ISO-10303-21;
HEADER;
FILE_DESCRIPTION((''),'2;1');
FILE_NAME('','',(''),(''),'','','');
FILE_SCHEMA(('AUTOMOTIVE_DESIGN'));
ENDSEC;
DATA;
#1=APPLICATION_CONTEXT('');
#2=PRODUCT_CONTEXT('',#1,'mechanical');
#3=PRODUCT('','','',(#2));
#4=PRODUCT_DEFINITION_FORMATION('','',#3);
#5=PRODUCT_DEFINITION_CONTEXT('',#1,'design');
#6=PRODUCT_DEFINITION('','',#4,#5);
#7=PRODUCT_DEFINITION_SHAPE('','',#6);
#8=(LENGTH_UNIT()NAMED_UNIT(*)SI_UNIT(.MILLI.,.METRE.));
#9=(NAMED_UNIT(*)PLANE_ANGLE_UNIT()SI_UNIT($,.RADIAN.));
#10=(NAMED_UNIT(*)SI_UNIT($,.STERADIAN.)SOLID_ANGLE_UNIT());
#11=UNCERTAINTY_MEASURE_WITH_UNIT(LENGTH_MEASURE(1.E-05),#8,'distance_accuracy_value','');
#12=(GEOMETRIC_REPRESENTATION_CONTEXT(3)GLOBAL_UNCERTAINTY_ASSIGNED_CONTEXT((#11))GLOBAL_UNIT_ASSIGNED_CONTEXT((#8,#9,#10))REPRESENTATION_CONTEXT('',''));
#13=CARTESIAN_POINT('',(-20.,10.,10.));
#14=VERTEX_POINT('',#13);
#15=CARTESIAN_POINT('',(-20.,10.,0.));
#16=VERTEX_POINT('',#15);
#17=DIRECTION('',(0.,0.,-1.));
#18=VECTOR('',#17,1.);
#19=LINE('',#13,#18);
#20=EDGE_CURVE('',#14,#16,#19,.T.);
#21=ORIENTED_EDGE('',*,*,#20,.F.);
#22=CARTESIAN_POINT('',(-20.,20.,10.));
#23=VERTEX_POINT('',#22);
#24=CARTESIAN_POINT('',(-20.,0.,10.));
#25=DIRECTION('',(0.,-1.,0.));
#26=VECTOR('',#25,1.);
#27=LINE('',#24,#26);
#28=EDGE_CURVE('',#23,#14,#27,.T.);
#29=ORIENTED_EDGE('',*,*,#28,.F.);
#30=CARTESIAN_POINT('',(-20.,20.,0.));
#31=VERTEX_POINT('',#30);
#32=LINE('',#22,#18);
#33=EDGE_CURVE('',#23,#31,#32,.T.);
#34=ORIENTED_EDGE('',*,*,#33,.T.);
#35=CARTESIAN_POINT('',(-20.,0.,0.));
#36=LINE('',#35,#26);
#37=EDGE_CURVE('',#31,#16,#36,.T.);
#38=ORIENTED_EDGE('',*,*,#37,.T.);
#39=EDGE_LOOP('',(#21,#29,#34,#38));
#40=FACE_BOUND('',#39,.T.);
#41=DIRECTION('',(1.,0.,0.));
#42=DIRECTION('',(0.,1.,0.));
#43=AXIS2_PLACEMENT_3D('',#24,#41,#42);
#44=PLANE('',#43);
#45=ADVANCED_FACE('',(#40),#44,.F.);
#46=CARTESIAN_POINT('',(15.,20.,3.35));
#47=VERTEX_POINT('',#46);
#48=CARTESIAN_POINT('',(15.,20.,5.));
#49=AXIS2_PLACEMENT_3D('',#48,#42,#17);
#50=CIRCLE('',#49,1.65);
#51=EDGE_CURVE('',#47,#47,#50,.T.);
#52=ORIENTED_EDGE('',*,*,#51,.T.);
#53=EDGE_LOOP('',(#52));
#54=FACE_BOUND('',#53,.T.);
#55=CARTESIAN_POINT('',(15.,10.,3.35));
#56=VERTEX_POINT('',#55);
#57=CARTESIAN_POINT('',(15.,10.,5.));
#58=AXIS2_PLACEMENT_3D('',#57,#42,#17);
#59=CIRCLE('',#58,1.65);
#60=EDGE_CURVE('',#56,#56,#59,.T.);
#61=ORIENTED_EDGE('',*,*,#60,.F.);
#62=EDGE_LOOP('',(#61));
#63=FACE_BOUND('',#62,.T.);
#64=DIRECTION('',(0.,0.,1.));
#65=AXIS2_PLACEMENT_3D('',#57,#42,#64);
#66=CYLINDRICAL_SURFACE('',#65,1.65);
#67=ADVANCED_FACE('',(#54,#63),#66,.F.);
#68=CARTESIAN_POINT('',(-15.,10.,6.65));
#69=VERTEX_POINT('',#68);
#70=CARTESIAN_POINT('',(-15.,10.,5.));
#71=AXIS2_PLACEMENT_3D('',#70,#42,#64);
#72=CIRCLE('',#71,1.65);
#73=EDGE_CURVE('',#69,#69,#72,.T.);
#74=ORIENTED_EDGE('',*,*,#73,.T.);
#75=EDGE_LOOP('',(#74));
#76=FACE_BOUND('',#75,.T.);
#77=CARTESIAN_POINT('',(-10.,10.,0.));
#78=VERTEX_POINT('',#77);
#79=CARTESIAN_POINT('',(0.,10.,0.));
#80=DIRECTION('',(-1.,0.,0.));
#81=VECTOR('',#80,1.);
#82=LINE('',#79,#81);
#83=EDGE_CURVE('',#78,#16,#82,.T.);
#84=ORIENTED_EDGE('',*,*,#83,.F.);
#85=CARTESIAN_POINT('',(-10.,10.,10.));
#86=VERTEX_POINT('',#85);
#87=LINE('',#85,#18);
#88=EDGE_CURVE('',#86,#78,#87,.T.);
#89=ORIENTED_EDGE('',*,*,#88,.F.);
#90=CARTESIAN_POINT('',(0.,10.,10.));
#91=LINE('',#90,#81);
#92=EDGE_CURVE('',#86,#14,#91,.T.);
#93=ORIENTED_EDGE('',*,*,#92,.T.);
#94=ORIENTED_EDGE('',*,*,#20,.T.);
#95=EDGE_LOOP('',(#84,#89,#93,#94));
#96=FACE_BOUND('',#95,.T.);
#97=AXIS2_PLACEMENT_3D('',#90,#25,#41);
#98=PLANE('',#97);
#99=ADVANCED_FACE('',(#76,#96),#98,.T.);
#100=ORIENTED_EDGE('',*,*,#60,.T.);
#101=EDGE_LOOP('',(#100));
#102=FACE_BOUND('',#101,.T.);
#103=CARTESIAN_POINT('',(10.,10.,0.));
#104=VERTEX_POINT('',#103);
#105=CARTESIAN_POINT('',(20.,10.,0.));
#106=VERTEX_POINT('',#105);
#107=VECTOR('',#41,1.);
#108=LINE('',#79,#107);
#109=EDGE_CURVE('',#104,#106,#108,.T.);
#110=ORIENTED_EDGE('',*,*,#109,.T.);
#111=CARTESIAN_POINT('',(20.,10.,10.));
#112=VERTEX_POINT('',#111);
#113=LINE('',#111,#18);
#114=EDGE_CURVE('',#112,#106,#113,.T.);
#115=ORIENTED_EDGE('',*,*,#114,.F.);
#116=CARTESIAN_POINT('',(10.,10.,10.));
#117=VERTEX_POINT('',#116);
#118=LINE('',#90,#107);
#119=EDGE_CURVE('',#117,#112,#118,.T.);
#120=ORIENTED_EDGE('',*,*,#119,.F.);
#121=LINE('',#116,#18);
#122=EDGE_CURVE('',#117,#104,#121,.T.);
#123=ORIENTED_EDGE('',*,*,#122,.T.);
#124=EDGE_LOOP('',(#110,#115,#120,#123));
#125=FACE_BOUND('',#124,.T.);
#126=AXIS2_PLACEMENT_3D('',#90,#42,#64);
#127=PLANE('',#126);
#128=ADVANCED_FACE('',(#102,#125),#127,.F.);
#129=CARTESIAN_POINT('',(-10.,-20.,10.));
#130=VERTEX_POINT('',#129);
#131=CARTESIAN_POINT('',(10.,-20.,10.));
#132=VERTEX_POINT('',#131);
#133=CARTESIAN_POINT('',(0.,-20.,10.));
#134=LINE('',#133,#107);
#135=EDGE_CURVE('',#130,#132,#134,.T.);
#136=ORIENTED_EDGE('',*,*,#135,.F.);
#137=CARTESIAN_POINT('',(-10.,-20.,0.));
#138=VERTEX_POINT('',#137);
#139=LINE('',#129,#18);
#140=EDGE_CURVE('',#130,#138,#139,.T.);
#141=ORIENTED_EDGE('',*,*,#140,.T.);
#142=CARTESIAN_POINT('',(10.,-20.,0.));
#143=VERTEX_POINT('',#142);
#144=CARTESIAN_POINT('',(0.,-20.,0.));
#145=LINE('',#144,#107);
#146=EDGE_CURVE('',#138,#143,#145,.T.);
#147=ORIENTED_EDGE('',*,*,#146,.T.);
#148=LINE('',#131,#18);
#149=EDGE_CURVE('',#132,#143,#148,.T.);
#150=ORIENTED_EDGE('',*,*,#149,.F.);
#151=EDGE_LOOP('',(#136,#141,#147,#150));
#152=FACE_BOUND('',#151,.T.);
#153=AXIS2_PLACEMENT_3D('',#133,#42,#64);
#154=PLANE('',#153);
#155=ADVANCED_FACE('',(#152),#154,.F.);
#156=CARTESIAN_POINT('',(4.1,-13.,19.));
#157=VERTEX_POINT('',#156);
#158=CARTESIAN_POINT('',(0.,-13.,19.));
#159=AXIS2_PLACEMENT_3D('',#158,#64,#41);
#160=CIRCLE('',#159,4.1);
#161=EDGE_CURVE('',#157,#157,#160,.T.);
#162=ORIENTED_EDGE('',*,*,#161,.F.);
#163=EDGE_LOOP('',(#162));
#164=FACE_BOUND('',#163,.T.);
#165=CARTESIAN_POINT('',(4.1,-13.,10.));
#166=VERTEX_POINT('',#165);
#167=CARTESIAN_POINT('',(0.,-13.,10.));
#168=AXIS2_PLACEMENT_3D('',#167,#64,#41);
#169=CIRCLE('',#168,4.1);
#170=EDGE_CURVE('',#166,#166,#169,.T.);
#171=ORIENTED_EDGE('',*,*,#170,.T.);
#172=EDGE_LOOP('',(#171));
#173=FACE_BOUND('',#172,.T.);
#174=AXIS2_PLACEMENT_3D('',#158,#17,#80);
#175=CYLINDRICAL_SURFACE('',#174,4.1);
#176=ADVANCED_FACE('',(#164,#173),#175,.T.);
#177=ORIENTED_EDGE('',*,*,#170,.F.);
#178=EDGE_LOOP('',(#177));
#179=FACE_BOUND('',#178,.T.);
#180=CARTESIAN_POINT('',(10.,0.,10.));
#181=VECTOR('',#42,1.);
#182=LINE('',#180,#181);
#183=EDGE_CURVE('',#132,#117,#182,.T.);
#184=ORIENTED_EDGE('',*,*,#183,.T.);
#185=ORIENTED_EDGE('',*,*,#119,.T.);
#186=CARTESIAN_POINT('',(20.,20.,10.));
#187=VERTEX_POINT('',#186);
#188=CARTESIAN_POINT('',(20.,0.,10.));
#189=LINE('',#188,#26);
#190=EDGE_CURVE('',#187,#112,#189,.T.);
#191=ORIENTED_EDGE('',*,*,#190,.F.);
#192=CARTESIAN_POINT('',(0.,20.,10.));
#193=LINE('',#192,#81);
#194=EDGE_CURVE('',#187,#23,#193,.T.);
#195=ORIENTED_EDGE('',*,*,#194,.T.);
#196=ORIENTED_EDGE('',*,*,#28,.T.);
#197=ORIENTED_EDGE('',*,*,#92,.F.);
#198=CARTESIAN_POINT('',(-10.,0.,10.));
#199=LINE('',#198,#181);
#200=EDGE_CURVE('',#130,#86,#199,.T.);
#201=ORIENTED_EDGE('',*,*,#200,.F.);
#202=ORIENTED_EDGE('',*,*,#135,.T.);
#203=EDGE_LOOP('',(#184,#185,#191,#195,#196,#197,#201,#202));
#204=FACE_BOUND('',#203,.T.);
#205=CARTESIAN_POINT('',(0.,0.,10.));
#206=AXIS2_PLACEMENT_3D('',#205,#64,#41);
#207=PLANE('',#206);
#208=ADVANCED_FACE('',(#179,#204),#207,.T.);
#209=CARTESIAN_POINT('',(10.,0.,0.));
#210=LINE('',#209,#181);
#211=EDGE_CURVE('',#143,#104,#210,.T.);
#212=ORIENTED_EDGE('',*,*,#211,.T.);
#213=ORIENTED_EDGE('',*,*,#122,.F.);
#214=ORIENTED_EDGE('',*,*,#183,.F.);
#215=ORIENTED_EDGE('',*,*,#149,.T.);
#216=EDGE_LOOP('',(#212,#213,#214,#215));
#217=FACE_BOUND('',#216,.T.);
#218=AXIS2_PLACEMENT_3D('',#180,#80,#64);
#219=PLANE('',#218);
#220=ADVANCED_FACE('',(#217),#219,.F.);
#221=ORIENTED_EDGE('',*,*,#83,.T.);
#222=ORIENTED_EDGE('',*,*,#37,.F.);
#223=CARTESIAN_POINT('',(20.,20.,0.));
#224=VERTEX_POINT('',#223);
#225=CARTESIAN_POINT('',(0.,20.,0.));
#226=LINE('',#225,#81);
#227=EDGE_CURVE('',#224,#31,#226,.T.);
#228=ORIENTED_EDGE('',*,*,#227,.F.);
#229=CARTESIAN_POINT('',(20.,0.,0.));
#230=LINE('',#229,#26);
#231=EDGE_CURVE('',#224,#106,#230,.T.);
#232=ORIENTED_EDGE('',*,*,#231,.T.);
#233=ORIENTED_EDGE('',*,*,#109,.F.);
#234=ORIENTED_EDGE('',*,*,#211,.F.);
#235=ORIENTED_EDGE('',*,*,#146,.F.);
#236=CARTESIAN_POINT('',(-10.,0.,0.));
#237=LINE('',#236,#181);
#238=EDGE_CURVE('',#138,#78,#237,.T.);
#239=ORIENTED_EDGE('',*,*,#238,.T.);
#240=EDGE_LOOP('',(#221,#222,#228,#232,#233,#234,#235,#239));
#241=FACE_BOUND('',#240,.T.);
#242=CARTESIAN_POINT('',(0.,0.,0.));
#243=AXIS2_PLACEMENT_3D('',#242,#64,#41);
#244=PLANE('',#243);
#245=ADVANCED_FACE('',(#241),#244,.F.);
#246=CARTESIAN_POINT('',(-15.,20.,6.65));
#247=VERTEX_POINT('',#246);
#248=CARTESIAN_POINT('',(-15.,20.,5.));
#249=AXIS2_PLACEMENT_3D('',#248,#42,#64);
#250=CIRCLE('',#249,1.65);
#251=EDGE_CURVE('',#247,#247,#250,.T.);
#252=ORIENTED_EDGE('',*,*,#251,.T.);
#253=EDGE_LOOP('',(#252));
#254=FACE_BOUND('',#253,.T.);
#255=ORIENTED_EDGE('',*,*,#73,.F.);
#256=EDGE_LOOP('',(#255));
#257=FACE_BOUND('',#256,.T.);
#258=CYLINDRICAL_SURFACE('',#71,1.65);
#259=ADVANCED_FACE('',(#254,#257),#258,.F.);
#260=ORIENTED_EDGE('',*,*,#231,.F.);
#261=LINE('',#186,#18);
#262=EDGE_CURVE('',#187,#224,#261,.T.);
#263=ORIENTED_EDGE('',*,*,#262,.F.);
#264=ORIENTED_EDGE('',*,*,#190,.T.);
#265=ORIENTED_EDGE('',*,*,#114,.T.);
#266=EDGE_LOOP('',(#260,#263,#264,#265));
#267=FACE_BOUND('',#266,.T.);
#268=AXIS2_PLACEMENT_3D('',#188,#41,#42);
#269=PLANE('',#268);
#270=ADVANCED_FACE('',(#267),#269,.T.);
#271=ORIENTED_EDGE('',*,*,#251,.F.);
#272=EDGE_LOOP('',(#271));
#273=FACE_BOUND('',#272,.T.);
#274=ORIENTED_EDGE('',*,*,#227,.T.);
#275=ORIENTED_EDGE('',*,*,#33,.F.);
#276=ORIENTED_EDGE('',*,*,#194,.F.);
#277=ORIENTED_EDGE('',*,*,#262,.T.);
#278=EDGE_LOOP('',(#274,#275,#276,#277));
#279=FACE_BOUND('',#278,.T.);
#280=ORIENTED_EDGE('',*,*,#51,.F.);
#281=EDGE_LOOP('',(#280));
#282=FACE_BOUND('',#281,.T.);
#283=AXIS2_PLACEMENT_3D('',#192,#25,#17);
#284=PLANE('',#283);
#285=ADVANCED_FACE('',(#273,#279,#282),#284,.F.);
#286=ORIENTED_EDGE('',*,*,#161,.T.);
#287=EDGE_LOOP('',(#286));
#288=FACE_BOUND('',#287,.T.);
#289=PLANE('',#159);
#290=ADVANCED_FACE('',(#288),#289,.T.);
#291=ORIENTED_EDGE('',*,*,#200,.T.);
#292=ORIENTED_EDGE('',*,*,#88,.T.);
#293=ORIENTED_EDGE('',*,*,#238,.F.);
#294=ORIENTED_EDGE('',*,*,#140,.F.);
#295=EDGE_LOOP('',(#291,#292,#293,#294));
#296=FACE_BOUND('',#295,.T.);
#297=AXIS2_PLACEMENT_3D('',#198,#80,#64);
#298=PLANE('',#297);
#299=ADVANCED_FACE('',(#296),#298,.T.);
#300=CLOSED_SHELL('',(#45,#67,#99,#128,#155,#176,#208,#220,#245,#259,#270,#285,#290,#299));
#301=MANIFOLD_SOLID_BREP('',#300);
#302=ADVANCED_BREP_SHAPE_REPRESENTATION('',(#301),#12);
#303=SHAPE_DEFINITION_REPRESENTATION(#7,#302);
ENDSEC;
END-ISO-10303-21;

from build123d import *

# Parameters (mm, degrees)
SKETCH_1_W          = 10
SKETCH_1_H          = 10
SKETCH_1_W_2        = 20
SKETCH_1_H_2        = 40
EXTRUDE_5_DEPTH     = 10
SKETCH_7_R          = 4.1
EXTRUDE_6_DEPTH     = 9
SKETCH_8_R          = 1.65
CUT_EXTRUDE_1_DEPTH = 10


with BuildPart() as part:
    # Эскиз1 → Бобышка-Вытянуть5 (new body)
    with BuildSketch(Plane.XY):
        with Locations((-15, 15)):
            Rectangle(SKETCH_1_W, SKETCH_1_H)
        Rectangle(SKETCH_1_W_2, SKETCH_1_H_2)
        with Locations((15, 15)):
            Rectangle(SKETCH_1_W, SKETCH_1_H)
    extrude(amount=EXTRUDE_5_DEPTH)

    # Эскиз7 → Бобышка-Вытянуть6 (add)
    with BuildSketch(Plane.XY.offset(10)):
        with Locations((0, -13)):
            Circle(SKETCH_7_R)
    extrude(amount=EXTRUDE_6_DEPTH)

    # Эскиз8 → Вырез-Вытянуть1 (cut)
    with BuildSketch(Plane(origin=(0, 20, 0), x_dir=(1, 0, 0), z_dir=(0, 1, 0))):
        with Locations(Location((-15, -5, 0), (0, 0, 270))):
            Circle(SKETCH_8_R)
        with Locations(Location((15, -5, 0), (0, 0, 90))):
            Circle(SKETCH_8_R)
    extrude(amount=-CUT_EXTRUDE_1_DEPTH, mode=Mode.SUBTRACT)


solid = part.part
